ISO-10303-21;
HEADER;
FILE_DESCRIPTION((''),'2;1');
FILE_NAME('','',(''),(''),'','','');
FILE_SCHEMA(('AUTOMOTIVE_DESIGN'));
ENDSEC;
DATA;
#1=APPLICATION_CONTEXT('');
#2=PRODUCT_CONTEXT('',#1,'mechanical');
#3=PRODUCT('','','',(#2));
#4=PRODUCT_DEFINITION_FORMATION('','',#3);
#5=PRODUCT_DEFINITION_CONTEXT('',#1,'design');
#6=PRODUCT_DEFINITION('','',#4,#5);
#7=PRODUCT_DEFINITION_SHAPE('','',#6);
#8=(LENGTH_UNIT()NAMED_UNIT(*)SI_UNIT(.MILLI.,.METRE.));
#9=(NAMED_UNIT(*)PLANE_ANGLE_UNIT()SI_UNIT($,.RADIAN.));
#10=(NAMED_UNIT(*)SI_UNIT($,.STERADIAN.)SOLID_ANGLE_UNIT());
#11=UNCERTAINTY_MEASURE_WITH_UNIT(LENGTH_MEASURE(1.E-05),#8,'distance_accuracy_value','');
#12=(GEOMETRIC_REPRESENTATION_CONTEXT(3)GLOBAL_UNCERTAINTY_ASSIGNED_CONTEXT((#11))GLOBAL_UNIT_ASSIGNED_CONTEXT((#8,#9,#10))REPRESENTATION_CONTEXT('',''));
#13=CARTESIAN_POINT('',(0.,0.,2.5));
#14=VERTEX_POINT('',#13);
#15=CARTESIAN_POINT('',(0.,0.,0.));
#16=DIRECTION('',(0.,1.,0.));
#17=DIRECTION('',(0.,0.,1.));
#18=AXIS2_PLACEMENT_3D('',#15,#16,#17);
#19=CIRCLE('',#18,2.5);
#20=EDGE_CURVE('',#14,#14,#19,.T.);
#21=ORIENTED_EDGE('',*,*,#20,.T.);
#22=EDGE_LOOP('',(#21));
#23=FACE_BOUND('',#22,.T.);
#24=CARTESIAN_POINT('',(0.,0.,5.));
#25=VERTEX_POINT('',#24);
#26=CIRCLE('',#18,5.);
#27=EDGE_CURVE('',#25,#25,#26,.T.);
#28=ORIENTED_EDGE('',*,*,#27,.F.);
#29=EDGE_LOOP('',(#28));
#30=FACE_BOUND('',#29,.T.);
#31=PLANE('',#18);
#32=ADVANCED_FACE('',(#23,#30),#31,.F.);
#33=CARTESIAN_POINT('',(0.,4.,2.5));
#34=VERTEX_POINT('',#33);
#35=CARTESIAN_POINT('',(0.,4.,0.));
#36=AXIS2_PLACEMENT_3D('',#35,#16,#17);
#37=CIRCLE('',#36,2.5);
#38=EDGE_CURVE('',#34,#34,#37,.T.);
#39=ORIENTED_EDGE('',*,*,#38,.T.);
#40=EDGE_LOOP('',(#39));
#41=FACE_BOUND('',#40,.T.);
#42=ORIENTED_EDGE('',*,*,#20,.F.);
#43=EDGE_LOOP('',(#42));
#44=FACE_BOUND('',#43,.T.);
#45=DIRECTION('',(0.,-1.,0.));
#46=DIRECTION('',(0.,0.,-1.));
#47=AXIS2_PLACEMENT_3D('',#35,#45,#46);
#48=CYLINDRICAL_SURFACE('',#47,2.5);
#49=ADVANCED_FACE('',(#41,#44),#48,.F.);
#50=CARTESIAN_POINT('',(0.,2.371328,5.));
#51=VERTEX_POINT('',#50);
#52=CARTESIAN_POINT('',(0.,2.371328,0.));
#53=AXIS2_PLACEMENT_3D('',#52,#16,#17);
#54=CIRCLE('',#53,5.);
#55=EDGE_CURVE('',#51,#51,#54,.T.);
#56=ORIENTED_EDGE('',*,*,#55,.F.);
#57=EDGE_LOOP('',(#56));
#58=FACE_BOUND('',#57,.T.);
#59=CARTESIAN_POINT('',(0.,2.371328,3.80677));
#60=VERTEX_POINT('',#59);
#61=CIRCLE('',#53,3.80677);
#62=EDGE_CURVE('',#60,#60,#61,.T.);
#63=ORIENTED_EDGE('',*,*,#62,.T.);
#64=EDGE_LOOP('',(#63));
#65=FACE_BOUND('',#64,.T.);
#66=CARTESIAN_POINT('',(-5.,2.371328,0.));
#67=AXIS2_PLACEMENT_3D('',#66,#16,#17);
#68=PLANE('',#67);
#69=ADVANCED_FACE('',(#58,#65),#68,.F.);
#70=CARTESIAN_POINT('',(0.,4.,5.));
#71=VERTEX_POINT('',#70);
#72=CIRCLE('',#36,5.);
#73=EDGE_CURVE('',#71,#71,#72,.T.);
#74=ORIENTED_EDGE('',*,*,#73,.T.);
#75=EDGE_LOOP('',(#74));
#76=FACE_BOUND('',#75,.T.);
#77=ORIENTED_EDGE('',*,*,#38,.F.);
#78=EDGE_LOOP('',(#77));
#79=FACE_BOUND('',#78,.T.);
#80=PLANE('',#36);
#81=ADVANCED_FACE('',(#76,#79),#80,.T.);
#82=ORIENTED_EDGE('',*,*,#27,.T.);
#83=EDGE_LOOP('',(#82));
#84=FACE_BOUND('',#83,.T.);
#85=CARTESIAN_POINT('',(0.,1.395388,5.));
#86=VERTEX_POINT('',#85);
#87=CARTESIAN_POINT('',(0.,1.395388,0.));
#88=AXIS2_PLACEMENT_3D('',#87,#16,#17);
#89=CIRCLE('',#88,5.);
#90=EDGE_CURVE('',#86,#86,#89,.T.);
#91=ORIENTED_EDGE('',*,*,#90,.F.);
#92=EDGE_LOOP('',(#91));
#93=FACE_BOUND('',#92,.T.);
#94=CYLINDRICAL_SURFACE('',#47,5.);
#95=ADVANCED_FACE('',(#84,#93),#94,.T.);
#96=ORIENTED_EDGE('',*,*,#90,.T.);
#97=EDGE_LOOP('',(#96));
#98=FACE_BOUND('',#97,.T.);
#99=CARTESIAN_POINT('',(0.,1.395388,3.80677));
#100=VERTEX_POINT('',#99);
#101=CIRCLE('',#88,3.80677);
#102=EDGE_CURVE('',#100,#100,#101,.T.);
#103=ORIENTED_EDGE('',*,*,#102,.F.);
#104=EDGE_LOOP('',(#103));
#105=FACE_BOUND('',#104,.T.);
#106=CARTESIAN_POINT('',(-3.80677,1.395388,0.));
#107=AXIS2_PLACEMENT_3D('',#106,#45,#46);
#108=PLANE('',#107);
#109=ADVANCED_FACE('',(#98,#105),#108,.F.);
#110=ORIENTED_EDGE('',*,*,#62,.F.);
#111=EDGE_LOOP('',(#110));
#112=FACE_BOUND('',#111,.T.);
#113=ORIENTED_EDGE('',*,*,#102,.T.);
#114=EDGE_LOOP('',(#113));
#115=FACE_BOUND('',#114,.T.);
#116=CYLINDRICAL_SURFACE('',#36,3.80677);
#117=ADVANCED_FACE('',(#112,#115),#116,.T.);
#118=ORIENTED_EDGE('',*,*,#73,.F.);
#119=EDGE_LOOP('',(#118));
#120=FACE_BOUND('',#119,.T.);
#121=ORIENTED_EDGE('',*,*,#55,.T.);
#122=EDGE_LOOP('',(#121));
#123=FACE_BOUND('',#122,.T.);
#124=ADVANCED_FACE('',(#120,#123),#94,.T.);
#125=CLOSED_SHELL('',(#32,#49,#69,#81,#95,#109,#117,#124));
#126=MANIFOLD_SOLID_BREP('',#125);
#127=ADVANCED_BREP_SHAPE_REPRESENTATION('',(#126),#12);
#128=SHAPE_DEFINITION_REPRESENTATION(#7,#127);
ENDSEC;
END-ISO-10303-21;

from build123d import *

# Parameters (mm, degrees)
SKETCH_1_R      = 5
SKETCH_1_R_2    = 2.5
EXTRUDE_1_DEPTH = 4
SKETCH_2_W      = 1.193229727
SKETCH_2_H      = 0.975939513


with BuildPart() as part:
    # 草图1 → 凸台-拉伸1 (new body)
    with BuildSketch(Plane(origin=(0, 0, 0), x_dir=(1, 0, 0), z_dir=(0, 1, 0))):
        with Locations(Location((0, 0, 0), (0, 0, 270))):
            Circle(SKETCH_1_R)
        with Locations(Location((0, 0, 0), (0, 0, 270))):
            Circle(SKETCH_1_R_2, mode=Mode.SUBTRACT)
    extrude(amount=EXTRUDE_1_DEPTH)

    # 草图2 → 切除-旋转1 (revolve, cut)
    with BuildSketch(Plane.XY, mode=Mode.PRIVATE) as cut_revolve_1_sk:
        with Locations((-4.403385136, 1.883358194)):
            Rectangle(SKETCH_2_W, SKETCH_2_H)
    revolve(cut_revolve_1_sk.sketch.rotate(Axis((0, 4, 0), (0, -1, 0)), 270), axis=Axis((0, 4, 0), (0, -1, 0)), mode=Mode.SUBTRACT)


solid = part.part
